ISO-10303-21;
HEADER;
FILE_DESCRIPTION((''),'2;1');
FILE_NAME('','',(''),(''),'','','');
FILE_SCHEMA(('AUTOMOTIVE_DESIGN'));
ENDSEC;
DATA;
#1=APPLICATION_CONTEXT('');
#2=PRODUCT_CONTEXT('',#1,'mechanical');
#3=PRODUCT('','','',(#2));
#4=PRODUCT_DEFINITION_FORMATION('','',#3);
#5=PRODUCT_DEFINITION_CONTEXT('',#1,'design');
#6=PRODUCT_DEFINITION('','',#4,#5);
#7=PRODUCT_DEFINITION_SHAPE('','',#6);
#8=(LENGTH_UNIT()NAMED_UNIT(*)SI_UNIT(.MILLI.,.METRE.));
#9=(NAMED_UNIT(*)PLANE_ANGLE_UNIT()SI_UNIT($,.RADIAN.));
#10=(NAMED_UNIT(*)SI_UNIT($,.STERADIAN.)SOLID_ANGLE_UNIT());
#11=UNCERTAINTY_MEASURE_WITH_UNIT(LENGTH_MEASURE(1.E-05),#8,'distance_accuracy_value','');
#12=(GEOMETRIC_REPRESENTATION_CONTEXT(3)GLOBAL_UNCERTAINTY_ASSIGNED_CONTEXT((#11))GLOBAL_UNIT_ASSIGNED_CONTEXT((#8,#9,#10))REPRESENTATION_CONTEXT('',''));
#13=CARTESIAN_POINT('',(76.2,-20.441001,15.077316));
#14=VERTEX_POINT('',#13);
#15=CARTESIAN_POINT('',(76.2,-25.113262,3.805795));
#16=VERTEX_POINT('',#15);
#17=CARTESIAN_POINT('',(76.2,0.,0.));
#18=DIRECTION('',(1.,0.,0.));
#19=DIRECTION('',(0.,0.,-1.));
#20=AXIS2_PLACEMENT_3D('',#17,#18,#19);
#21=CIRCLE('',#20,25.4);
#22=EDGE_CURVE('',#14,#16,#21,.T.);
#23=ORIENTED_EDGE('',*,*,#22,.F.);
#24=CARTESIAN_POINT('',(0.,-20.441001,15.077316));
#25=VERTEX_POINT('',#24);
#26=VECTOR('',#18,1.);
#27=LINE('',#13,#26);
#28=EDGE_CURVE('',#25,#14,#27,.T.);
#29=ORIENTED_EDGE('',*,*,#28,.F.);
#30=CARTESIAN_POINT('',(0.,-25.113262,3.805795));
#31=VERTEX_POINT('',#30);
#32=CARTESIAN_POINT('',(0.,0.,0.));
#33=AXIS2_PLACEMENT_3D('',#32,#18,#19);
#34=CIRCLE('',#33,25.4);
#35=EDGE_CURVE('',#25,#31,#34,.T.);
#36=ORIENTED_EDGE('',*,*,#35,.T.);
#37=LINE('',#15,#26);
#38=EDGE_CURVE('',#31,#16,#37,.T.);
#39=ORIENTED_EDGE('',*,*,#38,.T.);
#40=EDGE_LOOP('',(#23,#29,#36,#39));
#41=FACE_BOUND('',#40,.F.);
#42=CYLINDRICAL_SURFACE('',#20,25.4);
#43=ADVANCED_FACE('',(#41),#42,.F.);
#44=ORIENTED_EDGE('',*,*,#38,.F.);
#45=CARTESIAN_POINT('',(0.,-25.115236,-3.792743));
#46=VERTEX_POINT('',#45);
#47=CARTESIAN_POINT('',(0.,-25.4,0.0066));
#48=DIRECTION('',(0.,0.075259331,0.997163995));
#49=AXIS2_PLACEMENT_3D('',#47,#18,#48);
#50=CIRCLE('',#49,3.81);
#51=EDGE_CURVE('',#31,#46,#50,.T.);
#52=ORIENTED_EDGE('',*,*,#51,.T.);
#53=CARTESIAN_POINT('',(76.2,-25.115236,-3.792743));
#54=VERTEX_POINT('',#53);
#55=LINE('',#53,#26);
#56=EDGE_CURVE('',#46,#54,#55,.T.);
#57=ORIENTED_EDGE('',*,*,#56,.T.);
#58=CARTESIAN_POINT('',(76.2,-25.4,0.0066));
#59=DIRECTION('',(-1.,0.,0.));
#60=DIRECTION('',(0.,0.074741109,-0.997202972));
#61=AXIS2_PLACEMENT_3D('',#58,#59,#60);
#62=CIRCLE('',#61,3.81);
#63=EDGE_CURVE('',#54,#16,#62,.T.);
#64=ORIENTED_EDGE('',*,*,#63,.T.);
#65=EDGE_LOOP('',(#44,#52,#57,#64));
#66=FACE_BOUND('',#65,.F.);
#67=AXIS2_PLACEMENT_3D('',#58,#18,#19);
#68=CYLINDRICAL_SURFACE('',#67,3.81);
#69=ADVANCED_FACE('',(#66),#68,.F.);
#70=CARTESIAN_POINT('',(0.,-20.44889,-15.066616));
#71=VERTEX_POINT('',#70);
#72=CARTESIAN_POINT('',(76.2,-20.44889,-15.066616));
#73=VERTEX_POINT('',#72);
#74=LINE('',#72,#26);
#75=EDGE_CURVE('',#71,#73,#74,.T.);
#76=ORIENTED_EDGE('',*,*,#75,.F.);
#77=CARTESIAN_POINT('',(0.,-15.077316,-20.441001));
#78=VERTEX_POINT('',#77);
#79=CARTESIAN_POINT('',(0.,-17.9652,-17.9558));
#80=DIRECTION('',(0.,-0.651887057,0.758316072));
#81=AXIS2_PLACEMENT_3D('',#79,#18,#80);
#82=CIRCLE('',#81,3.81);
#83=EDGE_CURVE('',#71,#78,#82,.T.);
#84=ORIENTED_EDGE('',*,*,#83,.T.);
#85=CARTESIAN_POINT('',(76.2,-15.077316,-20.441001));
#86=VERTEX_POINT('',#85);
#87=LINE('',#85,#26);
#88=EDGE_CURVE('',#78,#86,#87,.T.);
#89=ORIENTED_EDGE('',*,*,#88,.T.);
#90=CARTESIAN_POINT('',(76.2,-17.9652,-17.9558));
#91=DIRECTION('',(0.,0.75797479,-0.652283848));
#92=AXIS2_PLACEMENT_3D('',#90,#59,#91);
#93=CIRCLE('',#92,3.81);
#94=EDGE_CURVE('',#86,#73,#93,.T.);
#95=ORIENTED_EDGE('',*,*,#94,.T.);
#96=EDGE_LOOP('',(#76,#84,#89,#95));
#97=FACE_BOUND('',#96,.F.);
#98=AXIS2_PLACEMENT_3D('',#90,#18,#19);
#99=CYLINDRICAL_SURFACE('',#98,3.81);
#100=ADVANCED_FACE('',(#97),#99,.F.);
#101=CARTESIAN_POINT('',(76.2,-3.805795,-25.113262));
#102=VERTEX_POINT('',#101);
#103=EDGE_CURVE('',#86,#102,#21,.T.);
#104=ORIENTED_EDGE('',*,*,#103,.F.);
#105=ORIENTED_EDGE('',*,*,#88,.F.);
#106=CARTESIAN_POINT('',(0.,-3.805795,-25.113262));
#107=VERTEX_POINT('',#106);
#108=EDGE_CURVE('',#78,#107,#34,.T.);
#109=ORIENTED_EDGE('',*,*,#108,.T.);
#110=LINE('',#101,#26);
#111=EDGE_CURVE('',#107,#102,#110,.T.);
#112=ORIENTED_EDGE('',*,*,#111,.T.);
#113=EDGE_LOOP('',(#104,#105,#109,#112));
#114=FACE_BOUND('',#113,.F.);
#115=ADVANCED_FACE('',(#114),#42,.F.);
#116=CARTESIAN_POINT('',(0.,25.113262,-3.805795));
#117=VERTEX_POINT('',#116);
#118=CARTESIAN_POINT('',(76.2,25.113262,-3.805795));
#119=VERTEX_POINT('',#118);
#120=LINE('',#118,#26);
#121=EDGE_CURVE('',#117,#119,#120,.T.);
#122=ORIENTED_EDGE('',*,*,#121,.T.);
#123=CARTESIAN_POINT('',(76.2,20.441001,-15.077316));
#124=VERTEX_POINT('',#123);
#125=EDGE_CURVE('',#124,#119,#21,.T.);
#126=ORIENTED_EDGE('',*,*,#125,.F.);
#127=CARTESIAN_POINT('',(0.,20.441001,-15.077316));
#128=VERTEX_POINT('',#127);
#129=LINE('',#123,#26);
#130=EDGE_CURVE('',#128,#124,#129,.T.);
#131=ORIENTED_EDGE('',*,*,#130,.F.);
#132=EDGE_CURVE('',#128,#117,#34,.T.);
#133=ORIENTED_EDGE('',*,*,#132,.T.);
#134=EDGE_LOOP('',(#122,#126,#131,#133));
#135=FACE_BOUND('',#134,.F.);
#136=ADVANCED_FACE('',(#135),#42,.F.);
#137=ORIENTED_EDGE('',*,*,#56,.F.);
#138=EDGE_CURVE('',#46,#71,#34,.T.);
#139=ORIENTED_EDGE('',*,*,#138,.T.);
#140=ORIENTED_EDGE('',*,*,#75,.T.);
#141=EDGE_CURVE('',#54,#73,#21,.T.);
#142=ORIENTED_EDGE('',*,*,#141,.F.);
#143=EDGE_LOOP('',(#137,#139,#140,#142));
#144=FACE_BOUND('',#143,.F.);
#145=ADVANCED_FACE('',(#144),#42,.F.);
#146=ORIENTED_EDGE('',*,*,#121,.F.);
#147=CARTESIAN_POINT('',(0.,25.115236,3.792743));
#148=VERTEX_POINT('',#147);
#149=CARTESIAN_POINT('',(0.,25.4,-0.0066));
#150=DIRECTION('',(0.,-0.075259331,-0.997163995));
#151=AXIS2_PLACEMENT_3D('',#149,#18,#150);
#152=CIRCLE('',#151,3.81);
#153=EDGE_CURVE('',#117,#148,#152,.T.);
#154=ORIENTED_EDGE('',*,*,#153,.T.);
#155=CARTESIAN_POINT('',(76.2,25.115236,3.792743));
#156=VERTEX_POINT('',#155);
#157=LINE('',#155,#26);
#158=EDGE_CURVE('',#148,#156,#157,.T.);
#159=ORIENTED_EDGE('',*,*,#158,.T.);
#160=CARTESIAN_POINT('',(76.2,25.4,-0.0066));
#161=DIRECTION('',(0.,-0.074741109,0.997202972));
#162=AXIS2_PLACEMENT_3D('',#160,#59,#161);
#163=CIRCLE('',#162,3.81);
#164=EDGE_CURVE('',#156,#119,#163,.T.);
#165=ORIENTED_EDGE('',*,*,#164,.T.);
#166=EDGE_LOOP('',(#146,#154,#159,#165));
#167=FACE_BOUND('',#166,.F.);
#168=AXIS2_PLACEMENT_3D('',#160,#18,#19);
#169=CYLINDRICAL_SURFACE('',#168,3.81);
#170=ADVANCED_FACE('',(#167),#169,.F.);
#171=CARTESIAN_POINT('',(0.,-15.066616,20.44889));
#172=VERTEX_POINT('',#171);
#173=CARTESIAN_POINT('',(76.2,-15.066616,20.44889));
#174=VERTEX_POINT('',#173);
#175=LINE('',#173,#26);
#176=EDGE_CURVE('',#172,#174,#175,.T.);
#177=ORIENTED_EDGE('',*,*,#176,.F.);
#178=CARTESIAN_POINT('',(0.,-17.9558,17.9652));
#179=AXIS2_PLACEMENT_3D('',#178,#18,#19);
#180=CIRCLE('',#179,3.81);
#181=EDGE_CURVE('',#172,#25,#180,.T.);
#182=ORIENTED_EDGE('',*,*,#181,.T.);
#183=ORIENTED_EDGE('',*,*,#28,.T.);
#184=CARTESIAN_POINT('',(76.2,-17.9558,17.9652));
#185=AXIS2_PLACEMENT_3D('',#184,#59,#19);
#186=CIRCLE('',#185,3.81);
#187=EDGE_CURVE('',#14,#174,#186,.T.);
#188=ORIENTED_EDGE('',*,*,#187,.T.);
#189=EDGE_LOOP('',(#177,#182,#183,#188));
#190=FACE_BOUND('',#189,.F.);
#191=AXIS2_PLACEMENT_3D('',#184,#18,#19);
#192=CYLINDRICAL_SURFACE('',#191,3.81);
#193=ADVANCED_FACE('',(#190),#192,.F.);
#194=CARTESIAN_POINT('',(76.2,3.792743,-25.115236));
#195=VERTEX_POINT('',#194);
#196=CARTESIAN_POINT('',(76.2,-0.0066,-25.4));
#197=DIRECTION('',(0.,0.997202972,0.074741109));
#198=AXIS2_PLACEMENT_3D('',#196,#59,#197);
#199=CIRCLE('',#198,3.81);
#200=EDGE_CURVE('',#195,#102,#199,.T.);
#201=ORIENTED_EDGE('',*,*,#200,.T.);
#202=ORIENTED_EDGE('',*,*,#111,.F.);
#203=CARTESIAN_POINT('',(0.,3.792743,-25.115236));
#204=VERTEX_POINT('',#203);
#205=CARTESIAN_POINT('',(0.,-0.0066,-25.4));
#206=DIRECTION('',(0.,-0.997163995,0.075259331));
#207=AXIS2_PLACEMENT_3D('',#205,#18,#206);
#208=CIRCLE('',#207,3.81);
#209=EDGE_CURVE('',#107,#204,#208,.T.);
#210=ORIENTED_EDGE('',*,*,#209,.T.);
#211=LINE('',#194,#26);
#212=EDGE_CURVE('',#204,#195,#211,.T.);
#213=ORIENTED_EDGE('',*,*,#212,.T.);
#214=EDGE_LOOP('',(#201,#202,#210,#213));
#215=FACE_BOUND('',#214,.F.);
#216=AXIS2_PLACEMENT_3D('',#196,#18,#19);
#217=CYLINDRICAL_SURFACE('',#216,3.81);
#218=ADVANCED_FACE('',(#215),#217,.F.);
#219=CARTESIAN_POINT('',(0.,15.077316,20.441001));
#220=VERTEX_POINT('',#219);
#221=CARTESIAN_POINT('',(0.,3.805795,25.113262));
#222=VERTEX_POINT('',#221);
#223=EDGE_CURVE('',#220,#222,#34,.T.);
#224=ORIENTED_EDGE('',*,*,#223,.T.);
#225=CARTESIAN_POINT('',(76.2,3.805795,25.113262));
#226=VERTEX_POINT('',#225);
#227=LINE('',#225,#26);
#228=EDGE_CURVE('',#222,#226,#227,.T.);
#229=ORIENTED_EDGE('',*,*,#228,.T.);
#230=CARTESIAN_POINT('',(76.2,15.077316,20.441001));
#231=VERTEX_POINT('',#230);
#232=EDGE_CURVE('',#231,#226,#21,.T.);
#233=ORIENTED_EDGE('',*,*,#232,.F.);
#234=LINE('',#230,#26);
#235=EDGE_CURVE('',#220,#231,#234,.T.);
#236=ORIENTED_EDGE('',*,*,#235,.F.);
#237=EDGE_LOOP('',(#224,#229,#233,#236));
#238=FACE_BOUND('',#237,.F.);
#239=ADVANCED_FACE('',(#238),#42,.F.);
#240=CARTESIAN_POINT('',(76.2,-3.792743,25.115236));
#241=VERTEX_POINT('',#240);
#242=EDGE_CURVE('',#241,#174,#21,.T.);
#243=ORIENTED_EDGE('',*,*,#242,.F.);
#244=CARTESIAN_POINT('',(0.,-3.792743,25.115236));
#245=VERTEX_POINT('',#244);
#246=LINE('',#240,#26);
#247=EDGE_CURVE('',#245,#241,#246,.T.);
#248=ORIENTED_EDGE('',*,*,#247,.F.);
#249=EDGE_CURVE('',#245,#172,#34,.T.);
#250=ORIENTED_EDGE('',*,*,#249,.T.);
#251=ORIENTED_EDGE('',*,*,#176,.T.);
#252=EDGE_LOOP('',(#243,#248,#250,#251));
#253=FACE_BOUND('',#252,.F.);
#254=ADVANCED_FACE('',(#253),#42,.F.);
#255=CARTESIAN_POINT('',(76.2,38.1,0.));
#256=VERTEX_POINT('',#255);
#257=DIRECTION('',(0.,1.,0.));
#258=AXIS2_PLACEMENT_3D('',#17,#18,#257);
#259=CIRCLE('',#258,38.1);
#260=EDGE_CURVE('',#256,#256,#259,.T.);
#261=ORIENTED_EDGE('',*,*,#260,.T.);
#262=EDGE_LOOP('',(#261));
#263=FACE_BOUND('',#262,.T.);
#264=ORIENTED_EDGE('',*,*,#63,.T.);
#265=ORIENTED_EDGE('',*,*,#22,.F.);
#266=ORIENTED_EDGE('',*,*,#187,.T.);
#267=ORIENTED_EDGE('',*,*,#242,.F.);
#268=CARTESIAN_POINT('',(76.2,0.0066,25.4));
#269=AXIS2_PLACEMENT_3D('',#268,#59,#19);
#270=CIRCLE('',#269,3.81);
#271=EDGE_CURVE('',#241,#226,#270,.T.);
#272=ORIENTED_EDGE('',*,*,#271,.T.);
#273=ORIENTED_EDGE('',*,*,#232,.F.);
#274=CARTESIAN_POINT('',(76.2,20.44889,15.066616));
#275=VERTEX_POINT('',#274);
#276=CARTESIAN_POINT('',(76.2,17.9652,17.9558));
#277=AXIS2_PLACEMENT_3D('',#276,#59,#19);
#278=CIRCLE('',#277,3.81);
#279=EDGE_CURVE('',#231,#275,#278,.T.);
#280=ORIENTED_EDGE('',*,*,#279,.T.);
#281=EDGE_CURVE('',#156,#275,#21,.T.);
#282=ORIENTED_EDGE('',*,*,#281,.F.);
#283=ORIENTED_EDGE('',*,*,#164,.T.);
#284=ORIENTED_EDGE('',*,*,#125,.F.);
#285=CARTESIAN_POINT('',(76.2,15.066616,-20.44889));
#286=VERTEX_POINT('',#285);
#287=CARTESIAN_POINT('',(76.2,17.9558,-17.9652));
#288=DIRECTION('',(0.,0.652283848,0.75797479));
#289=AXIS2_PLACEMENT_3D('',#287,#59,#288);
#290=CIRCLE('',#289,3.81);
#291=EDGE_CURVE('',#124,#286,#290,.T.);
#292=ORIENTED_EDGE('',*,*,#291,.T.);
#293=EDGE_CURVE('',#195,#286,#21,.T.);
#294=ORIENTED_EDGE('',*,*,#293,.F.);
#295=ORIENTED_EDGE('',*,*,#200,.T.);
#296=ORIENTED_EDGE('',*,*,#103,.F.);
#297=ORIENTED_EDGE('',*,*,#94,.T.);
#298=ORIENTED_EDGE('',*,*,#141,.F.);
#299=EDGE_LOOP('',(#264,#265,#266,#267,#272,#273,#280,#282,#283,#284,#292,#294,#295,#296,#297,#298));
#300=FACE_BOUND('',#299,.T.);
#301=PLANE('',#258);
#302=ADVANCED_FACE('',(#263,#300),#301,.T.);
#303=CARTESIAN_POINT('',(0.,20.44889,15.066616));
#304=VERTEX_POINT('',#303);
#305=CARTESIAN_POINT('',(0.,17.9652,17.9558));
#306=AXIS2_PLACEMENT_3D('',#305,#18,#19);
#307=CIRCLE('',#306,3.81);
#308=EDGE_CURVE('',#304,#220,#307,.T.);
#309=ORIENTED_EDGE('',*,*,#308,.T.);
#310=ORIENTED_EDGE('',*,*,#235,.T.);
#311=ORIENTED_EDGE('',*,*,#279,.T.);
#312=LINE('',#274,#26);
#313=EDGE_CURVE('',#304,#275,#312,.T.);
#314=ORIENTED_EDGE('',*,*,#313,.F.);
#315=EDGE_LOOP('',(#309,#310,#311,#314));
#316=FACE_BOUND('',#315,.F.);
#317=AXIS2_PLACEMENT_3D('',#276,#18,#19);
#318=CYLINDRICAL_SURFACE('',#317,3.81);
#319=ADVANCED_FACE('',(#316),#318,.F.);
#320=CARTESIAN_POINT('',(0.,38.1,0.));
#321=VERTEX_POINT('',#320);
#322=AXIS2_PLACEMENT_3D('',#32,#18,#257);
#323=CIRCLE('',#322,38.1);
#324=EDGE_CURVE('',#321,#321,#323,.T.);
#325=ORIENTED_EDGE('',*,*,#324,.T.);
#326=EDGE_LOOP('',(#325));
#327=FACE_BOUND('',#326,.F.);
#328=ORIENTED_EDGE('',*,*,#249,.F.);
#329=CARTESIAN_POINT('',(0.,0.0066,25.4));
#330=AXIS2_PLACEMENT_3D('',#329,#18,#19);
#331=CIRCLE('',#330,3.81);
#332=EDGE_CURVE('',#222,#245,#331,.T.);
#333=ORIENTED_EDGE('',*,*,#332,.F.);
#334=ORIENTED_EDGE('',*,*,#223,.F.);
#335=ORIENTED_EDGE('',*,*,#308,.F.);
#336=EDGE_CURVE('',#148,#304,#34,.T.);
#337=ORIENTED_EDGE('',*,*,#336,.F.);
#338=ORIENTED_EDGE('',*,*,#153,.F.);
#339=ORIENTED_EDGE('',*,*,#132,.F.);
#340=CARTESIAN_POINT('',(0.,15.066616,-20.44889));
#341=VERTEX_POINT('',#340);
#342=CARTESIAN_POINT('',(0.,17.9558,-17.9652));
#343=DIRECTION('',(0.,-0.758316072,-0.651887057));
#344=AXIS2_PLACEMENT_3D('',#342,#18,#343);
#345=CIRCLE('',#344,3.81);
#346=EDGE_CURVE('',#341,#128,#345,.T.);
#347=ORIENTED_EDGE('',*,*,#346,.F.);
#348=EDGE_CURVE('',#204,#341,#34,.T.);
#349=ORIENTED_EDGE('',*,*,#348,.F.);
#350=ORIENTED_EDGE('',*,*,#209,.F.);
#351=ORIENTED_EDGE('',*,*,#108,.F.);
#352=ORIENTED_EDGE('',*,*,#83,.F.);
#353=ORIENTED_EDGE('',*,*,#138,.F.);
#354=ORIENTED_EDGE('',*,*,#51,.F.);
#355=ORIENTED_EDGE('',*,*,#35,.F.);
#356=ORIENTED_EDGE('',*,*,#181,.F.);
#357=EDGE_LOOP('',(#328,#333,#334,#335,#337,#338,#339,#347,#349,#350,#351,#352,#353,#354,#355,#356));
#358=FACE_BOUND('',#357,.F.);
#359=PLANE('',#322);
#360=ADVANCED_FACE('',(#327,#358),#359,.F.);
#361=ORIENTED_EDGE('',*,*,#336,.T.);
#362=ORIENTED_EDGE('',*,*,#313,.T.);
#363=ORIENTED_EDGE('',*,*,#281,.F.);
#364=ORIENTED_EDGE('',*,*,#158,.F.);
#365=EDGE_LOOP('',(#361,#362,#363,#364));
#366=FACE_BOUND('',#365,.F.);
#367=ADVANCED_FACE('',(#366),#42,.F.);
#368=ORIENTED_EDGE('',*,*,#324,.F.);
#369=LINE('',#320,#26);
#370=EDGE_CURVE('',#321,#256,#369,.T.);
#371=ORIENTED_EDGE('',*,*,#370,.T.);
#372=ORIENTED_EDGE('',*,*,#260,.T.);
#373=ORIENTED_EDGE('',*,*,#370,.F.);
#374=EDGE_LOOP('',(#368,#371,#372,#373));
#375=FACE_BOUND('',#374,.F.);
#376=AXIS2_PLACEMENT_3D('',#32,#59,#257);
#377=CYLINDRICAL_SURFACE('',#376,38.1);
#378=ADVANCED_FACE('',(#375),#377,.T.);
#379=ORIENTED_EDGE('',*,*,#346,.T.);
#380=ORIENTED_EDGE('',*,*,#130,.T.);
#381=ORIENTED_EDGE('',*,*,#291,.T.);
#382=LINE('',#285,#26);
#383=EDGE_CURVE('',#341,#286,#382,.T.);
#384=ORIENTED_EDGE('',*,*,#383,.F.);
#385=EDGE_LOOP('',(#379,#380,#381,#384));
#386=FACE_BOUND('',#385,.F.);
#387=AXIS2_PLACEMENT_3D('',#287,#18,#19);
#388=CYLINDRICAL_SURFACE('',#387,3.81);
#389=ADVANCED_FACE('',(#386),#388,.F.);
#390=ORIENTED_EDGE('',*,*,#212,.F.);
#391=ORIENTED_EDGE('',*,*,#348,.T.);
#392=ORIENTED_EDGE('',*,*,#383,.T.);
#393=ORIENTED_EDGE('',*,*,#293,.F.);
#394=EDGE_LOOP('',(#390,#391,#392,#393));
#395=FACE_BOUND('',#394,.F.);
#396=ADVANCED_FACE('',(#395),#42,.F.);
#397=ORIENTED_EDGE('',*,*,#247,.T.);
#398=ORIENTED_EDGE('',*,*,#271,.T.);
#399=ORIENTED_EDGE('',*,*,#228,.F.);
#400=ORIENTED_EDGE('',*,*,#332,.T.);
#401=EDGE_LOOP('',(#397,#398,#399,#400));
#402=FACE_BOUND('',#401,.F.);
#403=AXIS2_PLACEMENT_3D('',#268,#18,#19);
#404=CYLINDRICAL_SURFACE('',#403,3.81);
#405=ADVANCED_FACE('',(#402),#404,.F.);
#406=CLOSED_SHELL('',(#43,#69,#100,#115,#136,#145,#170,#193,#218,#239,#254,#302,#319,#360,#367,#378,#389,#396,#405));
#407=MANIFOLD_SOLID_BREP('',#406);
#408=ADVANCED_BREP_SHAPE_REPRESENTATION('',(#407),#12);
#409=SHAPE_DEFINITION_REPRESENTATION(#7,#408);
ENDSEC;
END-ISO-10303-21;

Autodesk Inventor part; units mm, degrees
ref_plane "YZ Plane" through (0, 0, 0) normal (1, 0, 0) x (0, 1, 0)
ref_plane "XZ Plane" through (0, 0, 0) normal (0, 1, 0) x (-1, 0, 0)
ref_plane "XY Plane" through (0, 0, 0) normal (0, 0, 1) x (1, 0, 0)
sketch "Sketch1" plane through (0, 0, 0) normal (1, 0, 0) x (0, 1, 0)
  circle A0 centre (0, 0) radius 38.1
  dimension "d0" = 76.2
extrude "Extrusion1" add sketch "Sketch1" along normal blind 76.2
sketch "Sketch2" plane through (76.2, 0, 0) normal (1, 0, 0) x (0, 0, -1)
  circle A0 centre (0, 0) radius 25.4
  dimension "d3" = 50.8
extrude "Extrusion2" cut sketch "Sketch2" against normal blind 152.4
sketch "Sketch3" plane through (76.2, 0, 0) normal (1, 0, 0) x (0, 0, -1)
  circle A0 centre (0, 0) radius 25.4
  circle A1 centre (0, 0) radius 25.4 projected
  circle A2 centre (0.0066, 25.4) radius 3.81
  circle A3 centre (-17.9558, 17.9652) radius 3.81
  circle A4 centre (-25.4, 0.0066) radius 3.81
  circle A5 centre (-17.9652, -17.9558) radius 3.81
  circle A6 centre (-0.0066, -25.4) radius 3.81
  circle A7 centre (17.9558, -17.9652) radius 3.81
  circle A8 centre (25.4, -0.0066) radius 3.81
  circle A9 centre (17.9652, 17.9558) radius 3.81
  dimension "d6" = 7.62
  dimension "d9" = 360
extrude "Extrusion3" cut sketch "Sketch3" against normal blind 152.4 contours A0 A8 | A0 A8 | A9 A0 | A0 A9 | A7 A0 | A0 A7 | A2 A0 | A0 A2 | A6 A0 | A0 A6 | A3 A0 | A0 A3 | A5 A0 | A0 A5 | A4 A0 | A0 A4
